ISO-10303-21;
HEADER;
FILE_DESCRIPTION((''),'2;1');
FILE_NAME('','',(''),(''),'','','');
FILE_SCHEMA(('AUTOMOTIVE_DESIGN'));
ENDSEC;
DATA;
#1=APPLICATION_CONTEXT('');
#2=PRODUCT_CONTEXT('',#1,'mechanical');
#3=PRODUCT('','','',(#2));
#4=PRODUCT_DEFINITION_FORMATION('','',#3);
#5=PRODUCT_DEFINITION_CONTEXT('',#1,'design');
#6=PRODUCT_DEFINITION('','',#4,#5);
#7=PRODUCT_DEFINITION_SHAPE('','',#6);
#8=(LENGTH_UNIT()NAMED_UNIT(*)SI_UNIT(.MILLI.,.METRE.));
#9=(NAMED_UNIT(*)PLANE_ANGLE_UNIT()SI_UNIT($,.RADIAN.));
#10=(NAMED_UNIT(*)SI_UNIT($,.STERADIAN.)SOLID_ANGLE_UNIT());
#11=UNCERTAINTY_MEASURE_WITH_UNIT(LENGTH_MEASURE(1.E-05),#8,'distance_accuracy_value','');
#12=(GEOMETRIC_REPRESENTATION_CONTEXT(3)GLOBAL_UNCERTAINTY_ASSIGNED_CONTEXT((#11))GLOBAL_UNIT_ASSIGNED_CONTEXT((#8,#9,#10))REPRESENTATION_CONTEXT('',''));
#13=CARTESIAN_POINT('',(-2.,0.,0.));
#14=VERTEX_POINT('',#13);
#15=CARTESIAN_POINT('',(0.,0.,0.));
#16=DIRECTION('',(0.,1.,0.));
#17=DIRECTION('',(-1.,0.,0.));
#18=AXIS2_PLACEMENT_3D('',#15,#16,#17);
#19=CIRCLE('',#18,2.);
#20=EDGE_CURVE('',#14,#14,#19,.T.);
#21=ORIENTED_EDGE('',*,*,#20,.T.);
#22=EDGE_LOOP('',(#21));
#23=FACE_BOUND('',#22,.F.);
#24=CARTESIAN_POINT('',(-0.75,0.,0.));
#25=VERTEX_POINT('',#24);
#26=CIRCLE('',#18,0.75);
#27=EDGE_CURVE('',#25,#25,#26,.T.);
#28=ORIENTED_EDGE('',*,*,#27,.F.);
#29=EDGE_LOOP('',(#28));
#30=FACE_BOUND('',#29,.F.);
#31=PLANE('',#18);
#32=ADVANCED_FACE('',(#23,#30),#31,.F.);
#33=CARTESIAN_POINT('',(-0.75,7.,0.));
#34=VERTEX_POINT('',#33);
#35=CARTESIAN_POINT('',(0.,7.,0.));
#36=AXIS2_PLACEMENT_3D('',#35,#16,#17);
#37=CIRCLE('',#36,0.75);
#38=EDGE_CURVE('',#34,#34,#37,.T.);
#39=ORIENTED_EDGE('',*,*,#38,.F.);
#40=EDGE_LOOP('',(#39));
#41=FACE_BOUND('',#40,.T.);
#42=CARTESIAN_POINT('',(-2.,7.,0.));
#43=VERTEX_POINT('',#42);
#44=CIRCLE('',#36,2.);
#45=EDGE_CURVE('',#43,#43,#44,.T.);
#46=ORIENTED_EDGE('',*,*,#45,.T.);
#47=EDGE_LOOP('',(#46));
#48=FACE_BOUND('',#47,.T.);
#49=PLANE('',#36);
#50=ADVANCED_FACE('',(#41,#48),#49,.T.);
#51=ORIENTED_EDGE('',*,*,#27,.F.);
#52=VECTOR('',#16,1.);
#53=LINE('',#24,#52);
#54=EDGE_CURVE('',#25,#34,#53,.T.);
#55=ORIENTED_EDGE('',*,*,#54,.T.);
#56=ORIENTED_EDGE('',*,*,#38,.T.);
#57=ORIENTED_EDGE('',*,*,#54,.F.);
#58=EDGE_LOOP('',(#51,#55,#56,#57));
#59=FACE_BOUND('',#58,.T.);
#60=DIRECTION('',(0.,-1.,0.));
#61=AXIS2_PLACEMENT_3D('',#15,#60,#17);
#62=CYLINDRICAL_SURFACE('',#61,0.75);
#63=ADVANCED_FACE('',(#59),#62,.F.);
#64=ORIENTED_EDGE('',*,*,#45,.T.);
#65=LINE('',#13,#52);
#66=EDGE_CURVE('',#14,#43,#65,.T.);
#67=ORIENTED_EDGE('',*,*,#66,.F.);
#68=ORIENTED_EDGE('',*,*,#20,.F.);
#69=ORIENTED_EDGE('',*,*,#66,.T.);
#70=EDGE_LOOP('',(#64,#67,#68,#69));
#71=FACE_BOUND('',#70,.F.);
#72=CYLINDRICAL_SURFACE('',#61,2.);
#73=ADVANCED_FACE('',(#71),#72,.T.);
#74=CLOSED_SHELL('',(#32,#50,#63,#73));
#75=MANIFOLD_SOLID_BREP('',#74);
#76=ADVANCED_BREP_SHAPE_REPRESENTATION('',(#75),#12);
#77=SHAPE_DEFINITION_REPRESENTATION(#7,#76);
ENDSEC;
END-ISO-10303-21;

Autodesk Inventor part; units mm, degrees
ref_plane "YZ Plane" through (0, 0, 0) normal (1, 0, 0) x (0, 1, 0)
ref_plane "XZ Plane" through (0, 0, 0) normal (0, 1, 0) x (-1, 0, 0)
ref_plane "XY Plane" through (0, 0, 0) normal (0, 0, 1) x (1, 0, 0)
sketch "Sketch1" plane through (0, 0, 0) normal (0, 1, 0) x (-1, 0, 0)
  circle A0 centre (0, 0) radius 2
  circle A1 centre (0, 0) radius 0.75
  dimension "d0" = 4
  dimension "d1" = 1.5
extrude "Extrusion1" add sketch "Sketch1" along normal blind 7
properties part number "motorconnector"
